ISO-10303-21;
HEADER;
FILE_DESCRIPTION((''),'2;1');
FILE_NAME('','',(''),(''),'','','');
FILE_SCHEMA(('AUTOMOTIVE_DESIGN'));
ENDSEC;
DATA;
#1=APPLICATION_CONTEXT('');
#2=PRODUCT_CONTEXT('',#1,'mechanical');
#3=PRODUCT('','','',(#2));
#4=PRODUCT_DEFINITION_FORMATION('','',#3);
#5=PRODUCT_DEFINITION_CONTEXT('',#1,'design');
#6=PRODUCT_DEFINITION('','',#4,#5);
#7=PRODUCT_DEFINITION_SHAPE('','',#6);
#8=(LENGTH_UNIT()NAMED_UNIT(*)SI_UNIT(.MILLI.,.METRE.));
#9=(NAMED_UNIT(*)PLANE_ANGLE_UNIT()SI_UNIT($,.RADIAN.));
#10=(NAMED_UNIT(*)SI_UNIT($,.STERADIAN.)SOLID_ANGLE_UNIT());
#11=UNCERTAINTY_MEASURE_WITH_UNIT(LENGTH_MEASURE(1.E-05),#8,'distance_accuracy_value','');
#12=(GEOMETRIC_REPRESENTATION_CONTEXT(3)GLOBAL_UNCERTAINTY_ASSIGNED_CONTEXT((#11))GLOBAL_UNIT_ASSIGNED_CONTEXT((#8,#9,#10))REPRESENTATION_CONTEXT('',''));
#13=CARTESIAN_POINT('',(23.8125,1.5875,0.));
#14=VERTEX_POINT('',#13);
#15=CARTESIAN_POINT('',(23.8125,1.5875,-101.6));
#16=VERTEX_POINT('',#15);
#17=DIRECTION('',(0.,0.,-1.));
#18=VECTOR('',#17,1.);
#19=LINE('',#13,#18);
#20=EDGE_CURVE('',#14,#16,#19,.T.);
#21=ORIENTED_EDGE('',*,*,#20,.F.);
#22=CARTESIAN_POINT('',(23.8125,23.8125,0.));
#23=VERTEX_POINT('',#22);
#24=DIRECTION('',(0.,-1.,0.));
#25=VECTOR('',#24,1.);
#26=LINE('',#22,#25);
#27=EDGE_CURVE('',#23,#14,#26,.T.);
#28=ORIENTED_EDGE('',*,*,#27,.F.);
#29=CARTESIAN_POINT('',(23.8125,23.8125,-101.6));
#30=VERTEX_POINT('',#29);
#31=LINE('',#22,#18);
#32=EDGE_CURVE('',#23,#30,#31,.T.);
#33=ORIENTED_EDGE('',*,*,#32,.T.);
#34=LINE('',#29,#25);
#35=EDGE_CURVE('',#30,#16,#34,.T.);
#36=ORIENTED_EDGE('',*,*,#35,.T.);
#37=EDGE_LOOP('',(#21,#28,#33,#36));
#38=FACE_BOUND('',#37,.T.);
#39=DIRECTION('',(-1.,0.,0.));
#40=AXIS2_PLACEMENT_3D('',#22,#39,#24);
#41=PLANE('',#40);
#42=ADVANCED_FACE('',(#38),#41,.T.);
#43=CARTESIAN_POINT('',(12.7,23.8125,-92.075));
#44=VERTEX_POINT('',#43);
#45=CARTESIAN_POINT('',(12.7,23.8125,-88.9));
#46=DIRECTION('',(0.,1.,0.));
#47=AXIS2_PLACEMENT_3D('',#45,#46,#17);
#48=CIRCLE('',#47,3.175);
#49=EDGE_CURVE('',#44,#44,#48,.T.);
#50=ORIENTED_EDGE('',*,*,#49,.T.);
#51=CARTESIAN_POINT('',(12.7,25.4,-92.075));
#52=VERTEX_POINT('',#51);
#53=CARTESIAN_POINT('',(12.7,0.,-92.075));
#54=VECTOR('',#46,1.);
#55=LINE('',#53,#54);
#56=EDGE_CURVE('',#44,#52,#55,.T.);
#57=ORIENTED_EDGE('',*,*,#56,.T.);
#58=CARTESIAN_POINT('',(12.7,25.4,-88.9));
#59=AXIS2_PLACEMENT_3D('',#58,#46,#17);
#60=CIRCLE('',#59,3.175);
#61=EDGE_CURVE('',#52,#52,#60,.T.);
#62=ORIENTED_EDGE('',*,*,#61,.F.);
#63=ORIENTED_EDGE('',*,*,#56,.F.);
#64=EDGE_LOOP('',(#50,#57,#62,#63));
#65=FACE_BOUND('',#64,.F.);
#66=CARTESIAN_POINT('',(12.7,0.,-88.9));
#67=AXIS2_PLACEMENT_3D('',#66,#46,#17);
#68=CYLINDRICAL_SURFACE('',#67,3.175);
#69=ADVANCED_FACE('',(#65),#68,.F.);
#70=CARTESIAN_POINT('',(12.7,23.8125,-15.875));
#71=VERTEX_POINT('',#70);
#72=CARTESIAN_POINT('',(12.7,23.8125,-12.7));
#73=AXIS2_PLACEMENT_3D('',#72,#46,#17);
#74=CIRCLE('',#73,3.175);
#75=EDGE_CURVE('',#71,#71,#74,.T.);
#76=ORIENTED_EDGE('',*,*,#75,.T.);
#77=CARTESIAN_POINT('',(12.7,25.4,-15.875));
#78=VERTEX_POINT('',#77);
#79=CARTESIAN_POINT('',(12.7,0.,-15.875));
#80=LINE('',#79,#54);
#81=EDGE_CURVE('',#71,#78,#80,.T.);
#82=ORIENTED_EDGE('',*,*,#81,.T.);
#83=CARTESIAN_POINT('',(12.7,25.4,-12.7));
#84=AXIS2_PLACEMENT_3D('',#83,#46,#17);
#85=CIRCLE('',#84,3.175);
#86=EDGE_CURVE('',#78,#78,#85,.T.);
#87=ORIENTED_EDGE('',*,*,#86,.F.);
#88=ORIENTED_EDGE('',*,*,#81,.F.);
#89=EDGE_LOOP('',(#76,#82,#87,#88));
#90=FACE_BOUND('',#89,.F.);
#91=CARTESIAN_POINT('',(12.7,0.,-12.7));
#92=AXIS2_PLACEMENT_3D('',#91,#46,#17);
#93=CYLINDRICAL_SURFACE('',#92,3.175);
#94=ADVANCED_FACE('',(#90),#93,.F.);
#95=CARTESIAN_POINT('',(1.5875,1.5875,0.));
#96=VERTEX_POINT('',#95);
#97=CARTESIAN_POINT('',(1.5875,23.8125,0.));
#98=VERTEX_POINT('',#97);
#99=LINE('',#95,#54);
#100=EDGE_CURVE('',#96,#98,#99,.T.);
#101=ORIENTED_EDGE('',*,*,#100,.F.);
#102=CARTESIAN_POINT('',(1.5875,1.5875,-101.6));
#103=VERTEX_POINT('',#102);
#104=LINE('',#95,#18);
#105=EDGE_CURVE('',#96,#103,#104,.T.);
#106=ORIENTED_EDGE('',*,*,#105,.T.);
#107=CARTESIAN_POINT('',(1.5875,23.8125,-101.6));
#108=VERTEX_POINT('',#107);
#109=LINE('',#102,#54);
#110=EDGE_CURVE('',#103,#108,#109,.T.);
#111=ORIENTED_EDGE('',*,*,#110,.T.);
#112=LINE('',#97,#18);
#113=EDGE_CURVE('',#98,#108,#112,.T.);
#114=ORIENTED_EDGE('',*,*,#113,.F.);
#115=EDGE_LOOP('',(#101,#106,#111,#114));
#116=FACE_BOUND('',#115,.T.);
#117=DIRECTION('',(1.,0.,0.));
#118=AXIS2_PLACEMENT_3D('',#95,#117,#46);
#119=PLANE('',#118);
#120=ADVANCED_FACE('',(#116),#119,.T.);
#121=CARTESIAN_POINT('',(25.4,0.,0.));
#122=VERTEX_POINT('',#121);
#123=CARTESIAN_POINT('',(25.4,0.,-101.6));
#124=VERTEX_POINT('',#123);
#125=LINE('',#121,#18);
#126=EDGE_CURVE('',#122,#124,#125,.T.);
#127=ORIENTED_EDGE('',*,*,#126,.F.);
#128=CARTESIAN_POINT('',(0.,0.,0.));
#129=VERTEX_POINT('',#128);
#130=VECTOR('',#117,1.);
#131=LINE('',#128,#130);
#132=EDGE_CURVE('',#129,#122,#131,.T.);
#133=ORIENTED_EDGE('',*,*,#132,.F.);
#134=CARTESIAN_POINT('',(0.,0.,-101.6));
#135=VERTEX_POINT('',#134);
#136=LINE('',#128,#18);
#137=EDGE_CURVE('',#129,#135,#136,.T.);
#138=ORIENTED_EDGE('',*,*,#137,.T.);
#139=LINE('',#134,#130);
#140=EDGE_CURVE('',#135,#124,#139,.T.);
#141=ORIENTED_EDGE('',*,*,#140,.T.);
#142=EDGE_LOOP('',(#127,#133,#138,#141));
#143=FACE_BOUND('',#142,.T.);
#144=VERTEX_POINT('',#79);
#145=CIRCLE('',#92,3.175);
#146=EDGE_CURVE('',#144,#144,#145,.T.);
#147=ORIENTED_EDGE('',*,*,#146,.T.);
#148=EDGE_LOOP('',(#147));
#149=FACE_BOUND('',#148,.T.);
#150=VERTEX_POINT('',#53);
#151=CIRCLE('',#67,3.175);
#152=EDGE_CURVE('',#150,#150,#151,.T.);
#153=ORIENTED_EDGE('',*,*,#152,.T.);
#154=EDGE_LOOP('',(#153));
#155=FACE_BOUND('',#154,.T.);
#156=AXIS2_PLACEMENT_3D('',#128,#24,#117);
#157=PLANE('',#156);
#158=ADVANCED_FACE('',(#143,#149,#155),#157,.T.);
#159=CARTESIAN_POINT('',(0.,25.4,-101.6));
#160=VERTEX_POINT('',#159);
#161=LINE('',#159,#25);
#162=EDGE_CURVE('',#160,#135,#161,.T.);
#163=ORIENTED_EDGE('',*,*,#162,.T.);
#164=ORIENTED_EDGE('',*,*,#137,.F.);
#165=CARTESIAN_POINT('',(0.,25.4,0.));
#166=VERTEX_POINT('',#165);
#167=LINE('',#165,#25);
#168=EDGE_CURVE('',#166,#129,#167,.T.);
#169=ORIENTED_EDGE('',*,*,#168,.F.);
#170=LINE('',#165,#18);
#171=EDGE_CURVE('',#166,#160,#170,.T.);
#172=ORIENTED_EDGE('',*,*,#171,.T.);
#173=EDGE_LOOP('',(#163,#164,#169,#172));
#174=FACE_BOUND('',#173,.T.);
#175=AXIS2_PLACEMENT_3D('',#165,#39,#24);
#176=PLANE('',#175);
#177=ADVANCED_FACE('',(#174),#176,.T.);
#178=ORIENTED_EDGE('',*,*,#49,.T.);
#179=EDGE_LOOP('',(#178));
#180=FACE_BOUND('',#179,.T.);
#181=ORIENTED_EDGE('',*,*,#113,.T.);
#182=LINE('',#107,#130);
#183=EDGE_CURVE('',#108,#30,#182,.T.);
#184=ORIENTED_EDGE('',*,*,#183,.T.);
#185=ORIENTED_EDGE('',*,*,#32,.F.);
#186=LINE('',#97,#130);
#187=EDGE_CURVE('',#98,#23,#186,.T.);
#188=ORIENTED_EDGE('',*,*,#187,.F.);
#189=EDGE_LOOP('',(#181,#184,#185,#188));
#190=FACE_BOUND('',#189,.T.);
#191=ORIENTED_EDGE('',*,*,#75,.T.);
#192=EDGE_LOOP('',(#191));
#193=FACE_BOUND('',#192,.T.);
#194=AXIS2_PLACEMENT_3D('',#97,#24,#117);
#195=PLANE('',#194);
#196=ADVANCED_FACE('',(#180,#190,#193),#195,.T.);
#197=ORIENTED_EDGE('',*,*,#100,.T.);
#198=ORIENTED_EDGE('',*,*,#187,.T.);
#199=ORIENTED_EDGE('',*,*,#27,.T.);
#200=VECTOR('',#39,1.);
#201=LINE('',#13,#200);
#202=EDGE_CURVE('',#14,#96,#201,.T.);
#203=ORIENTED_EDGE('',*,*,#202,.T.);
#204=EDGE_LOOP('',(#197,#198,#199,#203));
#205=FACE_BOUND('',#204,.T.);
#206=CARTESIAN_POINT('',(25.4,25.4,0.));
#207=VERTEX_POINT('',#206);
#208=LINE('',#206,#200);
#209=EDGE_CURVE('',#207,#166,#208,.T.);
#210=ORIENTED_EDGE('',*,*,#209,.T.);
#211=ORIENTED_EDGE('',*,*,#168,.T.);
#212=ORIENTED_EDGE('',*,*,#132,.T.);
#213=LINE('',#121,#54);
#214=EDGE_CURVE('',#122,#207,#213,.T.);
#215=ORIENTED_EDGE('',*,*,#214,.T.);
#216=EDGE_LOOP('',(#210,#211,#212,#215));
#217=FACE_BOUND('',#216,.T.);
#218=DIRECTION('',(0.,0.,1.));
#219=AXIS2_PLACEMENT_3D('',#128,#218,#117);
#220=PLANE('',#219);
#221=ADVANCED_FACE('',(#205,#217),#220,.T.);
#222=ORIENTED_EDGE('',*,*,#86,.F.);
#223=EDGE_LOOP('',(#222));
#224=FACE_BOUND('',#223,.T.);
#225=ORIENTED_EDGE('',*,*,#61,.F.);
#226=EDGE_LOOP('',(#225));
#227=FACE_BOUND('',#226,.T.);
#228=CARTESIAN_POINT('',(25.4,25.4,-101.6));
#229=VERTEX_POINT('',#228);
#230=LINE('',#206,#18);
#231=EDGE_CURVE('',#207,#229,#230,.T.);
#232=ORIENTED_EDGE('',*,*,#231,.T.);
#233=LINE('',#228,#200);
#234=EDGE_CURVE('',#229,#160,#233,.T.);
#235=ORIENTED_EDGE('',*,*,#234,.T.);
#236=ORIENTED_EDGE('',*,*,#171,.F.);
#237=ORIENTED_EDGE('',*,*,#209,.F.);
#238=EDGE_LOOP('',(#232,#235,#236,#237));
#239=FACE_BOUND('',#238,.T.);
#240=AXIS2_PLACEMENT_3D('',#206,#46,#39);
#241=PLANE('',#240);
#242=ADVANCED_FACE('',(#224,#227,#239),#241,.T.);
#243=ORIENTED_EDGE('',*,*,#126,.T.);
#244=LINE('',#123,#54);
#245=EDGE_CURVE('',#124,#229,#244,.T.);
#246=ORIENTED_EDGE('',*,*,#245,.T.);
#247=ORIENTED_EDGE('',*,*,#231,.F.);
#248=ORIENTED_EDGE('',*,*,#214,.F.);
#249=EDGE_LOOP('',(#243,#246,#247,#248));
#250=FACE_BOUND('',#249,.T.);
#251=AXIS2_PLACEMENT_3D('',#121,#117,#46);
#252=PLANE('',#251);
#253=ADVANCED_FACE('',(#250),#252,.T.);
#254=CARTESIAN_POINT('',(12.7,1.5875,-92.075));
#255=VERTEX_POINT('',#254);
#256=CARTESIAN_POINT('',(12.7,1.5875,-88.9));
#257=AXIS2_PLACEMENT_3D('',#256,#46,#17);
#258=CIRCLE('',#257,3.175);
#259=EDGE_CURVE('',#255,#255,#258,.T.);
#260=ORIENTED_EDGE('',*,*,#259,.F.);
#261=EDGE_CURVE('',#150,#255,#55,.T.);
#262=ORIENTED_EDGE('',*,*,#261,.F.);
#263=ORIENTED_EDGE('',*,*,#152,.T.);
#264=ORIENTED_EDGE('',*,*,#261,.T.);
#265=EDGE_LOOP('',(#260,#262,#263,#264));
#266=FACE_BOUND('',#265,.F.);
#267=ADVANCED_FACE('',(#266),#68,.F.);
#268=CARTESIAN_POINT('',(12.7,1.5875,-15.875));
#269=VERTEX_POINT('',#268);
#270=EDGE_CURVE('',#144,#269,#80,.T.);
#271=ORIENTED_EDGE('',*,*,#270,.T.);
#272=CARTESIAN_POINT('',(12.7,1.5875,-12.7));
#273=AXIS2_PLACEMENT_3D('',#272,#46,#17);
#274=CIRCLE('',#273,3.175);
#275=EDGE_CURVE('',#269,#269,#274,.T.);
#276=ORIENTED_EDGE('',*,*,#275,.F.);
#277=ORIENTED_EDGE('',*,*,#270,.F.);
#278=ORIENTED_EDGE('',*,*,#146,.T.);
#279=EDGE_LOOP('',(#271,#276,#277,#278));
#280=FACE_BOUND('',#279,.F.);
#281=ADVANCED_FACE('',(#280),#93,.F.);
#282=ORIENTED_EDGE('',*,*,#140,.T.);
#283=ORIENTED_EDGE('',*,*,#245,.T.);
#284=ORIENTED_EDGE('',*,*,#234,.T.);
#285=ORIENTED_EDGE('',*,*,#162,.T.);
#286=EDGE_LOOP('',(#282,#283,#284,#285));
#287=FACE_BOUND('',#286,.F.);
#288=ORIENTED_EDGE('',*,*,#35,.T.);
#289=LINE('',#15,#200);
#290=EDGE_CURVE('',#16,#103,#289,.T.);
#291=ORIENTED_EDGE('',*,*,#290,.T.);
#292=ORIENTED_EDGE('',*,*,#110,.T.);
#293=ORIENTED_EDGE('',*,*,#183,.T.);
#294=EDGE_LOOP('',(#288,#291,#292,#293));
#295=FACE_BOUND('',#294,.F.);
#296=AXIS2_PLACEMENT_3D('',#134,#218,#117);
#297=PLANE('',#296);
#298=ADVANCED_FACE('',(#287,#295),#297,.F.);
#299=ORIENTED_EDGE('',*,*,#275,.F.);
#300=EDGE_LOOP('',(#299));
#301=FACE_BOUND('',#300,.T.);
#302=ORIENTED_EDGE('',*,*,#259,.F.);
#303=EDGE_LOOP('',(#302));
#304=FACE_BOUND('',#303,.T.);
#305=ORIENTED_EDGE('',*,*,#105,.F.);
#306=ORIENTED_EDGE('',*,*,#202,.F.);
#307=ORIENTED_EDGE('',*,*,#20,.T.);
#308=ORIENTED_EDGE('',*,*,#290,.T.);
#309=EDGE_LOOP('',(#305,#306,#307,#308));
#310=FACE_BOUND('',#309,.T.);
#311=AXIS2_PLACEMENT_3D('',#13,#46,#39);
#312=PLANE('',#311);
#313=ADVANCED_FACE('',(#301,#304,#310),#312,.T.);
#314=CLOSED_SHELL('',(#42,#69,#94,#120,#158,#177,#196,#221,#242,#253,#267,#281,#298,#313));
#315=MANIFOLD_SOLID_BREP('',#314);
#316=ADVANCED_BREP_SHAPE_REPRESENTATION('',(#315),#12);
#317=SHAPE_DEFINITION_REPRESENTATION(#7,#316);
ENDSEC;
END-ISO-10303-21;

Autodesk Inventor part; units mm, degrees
ref_plane "YZ Plane" through (0, 0, 0) normal (1, 0, 0) x (0, 1, 0)
ref_plane "XZ Plane" through (0, 0, 0) normal (0, 1, 0) x (-1, 0, 0)
ref_plane "XY Plane" through (0, 0, 0) normal (0, 0, 1) x (1, 0, 0)
sketch "Sketch1" plane through (0, 0, 0) normal (0, 0, 1) x (1, 0, 0)
  line L0 (0, 0) -> (25.4, 0)
  line L1 (25.4, 0) -> (25.4, 25.4)
  line L2 (25.4, 25.4) -> (0, 25.4)
  line L3 (0, 25.4) -> (0, 0)
  line L4 (1.5875, 23.8125) -> (23.8125, 23.8125)
  line L5 (23.8125, 23.8125) -> (23.8125, 1.5875)
  line L6 (23.8125, 1.5875) -> (1.5875, 1.5875)
  line L7 (1.5875, 1.5875) -> (1.5875, 23.8125)
  dimension "d0" = 25.4
  dimension "d1" = 25.4
  dimension "d2" = 1.5875
extrude "Extrusion1" add sketch "Sketch1" against normal blind 101.6
sketch "Sketch3" plane through (0, 0, 0) normal (0, -1, 0) x (1, 0, 0)
  line L0 (0, -101.6) -> (25.4, -101.6) projected
  line L1 (0, 0) -> (25.4, 0) projected
  point P0 (12.7, -12.7)
  point P1 (12.7, -88.9)
  dimension "d7" = 12.7
  dimension "d8" = 12.7
hole "Hole2" at (12.7, 0, -12.7) at (12.7, 0, -88.9) direction (0, 1, 0) diameter 6.35 depth 25.4 tip angle 118
properties part number "tube_r_f_in"
